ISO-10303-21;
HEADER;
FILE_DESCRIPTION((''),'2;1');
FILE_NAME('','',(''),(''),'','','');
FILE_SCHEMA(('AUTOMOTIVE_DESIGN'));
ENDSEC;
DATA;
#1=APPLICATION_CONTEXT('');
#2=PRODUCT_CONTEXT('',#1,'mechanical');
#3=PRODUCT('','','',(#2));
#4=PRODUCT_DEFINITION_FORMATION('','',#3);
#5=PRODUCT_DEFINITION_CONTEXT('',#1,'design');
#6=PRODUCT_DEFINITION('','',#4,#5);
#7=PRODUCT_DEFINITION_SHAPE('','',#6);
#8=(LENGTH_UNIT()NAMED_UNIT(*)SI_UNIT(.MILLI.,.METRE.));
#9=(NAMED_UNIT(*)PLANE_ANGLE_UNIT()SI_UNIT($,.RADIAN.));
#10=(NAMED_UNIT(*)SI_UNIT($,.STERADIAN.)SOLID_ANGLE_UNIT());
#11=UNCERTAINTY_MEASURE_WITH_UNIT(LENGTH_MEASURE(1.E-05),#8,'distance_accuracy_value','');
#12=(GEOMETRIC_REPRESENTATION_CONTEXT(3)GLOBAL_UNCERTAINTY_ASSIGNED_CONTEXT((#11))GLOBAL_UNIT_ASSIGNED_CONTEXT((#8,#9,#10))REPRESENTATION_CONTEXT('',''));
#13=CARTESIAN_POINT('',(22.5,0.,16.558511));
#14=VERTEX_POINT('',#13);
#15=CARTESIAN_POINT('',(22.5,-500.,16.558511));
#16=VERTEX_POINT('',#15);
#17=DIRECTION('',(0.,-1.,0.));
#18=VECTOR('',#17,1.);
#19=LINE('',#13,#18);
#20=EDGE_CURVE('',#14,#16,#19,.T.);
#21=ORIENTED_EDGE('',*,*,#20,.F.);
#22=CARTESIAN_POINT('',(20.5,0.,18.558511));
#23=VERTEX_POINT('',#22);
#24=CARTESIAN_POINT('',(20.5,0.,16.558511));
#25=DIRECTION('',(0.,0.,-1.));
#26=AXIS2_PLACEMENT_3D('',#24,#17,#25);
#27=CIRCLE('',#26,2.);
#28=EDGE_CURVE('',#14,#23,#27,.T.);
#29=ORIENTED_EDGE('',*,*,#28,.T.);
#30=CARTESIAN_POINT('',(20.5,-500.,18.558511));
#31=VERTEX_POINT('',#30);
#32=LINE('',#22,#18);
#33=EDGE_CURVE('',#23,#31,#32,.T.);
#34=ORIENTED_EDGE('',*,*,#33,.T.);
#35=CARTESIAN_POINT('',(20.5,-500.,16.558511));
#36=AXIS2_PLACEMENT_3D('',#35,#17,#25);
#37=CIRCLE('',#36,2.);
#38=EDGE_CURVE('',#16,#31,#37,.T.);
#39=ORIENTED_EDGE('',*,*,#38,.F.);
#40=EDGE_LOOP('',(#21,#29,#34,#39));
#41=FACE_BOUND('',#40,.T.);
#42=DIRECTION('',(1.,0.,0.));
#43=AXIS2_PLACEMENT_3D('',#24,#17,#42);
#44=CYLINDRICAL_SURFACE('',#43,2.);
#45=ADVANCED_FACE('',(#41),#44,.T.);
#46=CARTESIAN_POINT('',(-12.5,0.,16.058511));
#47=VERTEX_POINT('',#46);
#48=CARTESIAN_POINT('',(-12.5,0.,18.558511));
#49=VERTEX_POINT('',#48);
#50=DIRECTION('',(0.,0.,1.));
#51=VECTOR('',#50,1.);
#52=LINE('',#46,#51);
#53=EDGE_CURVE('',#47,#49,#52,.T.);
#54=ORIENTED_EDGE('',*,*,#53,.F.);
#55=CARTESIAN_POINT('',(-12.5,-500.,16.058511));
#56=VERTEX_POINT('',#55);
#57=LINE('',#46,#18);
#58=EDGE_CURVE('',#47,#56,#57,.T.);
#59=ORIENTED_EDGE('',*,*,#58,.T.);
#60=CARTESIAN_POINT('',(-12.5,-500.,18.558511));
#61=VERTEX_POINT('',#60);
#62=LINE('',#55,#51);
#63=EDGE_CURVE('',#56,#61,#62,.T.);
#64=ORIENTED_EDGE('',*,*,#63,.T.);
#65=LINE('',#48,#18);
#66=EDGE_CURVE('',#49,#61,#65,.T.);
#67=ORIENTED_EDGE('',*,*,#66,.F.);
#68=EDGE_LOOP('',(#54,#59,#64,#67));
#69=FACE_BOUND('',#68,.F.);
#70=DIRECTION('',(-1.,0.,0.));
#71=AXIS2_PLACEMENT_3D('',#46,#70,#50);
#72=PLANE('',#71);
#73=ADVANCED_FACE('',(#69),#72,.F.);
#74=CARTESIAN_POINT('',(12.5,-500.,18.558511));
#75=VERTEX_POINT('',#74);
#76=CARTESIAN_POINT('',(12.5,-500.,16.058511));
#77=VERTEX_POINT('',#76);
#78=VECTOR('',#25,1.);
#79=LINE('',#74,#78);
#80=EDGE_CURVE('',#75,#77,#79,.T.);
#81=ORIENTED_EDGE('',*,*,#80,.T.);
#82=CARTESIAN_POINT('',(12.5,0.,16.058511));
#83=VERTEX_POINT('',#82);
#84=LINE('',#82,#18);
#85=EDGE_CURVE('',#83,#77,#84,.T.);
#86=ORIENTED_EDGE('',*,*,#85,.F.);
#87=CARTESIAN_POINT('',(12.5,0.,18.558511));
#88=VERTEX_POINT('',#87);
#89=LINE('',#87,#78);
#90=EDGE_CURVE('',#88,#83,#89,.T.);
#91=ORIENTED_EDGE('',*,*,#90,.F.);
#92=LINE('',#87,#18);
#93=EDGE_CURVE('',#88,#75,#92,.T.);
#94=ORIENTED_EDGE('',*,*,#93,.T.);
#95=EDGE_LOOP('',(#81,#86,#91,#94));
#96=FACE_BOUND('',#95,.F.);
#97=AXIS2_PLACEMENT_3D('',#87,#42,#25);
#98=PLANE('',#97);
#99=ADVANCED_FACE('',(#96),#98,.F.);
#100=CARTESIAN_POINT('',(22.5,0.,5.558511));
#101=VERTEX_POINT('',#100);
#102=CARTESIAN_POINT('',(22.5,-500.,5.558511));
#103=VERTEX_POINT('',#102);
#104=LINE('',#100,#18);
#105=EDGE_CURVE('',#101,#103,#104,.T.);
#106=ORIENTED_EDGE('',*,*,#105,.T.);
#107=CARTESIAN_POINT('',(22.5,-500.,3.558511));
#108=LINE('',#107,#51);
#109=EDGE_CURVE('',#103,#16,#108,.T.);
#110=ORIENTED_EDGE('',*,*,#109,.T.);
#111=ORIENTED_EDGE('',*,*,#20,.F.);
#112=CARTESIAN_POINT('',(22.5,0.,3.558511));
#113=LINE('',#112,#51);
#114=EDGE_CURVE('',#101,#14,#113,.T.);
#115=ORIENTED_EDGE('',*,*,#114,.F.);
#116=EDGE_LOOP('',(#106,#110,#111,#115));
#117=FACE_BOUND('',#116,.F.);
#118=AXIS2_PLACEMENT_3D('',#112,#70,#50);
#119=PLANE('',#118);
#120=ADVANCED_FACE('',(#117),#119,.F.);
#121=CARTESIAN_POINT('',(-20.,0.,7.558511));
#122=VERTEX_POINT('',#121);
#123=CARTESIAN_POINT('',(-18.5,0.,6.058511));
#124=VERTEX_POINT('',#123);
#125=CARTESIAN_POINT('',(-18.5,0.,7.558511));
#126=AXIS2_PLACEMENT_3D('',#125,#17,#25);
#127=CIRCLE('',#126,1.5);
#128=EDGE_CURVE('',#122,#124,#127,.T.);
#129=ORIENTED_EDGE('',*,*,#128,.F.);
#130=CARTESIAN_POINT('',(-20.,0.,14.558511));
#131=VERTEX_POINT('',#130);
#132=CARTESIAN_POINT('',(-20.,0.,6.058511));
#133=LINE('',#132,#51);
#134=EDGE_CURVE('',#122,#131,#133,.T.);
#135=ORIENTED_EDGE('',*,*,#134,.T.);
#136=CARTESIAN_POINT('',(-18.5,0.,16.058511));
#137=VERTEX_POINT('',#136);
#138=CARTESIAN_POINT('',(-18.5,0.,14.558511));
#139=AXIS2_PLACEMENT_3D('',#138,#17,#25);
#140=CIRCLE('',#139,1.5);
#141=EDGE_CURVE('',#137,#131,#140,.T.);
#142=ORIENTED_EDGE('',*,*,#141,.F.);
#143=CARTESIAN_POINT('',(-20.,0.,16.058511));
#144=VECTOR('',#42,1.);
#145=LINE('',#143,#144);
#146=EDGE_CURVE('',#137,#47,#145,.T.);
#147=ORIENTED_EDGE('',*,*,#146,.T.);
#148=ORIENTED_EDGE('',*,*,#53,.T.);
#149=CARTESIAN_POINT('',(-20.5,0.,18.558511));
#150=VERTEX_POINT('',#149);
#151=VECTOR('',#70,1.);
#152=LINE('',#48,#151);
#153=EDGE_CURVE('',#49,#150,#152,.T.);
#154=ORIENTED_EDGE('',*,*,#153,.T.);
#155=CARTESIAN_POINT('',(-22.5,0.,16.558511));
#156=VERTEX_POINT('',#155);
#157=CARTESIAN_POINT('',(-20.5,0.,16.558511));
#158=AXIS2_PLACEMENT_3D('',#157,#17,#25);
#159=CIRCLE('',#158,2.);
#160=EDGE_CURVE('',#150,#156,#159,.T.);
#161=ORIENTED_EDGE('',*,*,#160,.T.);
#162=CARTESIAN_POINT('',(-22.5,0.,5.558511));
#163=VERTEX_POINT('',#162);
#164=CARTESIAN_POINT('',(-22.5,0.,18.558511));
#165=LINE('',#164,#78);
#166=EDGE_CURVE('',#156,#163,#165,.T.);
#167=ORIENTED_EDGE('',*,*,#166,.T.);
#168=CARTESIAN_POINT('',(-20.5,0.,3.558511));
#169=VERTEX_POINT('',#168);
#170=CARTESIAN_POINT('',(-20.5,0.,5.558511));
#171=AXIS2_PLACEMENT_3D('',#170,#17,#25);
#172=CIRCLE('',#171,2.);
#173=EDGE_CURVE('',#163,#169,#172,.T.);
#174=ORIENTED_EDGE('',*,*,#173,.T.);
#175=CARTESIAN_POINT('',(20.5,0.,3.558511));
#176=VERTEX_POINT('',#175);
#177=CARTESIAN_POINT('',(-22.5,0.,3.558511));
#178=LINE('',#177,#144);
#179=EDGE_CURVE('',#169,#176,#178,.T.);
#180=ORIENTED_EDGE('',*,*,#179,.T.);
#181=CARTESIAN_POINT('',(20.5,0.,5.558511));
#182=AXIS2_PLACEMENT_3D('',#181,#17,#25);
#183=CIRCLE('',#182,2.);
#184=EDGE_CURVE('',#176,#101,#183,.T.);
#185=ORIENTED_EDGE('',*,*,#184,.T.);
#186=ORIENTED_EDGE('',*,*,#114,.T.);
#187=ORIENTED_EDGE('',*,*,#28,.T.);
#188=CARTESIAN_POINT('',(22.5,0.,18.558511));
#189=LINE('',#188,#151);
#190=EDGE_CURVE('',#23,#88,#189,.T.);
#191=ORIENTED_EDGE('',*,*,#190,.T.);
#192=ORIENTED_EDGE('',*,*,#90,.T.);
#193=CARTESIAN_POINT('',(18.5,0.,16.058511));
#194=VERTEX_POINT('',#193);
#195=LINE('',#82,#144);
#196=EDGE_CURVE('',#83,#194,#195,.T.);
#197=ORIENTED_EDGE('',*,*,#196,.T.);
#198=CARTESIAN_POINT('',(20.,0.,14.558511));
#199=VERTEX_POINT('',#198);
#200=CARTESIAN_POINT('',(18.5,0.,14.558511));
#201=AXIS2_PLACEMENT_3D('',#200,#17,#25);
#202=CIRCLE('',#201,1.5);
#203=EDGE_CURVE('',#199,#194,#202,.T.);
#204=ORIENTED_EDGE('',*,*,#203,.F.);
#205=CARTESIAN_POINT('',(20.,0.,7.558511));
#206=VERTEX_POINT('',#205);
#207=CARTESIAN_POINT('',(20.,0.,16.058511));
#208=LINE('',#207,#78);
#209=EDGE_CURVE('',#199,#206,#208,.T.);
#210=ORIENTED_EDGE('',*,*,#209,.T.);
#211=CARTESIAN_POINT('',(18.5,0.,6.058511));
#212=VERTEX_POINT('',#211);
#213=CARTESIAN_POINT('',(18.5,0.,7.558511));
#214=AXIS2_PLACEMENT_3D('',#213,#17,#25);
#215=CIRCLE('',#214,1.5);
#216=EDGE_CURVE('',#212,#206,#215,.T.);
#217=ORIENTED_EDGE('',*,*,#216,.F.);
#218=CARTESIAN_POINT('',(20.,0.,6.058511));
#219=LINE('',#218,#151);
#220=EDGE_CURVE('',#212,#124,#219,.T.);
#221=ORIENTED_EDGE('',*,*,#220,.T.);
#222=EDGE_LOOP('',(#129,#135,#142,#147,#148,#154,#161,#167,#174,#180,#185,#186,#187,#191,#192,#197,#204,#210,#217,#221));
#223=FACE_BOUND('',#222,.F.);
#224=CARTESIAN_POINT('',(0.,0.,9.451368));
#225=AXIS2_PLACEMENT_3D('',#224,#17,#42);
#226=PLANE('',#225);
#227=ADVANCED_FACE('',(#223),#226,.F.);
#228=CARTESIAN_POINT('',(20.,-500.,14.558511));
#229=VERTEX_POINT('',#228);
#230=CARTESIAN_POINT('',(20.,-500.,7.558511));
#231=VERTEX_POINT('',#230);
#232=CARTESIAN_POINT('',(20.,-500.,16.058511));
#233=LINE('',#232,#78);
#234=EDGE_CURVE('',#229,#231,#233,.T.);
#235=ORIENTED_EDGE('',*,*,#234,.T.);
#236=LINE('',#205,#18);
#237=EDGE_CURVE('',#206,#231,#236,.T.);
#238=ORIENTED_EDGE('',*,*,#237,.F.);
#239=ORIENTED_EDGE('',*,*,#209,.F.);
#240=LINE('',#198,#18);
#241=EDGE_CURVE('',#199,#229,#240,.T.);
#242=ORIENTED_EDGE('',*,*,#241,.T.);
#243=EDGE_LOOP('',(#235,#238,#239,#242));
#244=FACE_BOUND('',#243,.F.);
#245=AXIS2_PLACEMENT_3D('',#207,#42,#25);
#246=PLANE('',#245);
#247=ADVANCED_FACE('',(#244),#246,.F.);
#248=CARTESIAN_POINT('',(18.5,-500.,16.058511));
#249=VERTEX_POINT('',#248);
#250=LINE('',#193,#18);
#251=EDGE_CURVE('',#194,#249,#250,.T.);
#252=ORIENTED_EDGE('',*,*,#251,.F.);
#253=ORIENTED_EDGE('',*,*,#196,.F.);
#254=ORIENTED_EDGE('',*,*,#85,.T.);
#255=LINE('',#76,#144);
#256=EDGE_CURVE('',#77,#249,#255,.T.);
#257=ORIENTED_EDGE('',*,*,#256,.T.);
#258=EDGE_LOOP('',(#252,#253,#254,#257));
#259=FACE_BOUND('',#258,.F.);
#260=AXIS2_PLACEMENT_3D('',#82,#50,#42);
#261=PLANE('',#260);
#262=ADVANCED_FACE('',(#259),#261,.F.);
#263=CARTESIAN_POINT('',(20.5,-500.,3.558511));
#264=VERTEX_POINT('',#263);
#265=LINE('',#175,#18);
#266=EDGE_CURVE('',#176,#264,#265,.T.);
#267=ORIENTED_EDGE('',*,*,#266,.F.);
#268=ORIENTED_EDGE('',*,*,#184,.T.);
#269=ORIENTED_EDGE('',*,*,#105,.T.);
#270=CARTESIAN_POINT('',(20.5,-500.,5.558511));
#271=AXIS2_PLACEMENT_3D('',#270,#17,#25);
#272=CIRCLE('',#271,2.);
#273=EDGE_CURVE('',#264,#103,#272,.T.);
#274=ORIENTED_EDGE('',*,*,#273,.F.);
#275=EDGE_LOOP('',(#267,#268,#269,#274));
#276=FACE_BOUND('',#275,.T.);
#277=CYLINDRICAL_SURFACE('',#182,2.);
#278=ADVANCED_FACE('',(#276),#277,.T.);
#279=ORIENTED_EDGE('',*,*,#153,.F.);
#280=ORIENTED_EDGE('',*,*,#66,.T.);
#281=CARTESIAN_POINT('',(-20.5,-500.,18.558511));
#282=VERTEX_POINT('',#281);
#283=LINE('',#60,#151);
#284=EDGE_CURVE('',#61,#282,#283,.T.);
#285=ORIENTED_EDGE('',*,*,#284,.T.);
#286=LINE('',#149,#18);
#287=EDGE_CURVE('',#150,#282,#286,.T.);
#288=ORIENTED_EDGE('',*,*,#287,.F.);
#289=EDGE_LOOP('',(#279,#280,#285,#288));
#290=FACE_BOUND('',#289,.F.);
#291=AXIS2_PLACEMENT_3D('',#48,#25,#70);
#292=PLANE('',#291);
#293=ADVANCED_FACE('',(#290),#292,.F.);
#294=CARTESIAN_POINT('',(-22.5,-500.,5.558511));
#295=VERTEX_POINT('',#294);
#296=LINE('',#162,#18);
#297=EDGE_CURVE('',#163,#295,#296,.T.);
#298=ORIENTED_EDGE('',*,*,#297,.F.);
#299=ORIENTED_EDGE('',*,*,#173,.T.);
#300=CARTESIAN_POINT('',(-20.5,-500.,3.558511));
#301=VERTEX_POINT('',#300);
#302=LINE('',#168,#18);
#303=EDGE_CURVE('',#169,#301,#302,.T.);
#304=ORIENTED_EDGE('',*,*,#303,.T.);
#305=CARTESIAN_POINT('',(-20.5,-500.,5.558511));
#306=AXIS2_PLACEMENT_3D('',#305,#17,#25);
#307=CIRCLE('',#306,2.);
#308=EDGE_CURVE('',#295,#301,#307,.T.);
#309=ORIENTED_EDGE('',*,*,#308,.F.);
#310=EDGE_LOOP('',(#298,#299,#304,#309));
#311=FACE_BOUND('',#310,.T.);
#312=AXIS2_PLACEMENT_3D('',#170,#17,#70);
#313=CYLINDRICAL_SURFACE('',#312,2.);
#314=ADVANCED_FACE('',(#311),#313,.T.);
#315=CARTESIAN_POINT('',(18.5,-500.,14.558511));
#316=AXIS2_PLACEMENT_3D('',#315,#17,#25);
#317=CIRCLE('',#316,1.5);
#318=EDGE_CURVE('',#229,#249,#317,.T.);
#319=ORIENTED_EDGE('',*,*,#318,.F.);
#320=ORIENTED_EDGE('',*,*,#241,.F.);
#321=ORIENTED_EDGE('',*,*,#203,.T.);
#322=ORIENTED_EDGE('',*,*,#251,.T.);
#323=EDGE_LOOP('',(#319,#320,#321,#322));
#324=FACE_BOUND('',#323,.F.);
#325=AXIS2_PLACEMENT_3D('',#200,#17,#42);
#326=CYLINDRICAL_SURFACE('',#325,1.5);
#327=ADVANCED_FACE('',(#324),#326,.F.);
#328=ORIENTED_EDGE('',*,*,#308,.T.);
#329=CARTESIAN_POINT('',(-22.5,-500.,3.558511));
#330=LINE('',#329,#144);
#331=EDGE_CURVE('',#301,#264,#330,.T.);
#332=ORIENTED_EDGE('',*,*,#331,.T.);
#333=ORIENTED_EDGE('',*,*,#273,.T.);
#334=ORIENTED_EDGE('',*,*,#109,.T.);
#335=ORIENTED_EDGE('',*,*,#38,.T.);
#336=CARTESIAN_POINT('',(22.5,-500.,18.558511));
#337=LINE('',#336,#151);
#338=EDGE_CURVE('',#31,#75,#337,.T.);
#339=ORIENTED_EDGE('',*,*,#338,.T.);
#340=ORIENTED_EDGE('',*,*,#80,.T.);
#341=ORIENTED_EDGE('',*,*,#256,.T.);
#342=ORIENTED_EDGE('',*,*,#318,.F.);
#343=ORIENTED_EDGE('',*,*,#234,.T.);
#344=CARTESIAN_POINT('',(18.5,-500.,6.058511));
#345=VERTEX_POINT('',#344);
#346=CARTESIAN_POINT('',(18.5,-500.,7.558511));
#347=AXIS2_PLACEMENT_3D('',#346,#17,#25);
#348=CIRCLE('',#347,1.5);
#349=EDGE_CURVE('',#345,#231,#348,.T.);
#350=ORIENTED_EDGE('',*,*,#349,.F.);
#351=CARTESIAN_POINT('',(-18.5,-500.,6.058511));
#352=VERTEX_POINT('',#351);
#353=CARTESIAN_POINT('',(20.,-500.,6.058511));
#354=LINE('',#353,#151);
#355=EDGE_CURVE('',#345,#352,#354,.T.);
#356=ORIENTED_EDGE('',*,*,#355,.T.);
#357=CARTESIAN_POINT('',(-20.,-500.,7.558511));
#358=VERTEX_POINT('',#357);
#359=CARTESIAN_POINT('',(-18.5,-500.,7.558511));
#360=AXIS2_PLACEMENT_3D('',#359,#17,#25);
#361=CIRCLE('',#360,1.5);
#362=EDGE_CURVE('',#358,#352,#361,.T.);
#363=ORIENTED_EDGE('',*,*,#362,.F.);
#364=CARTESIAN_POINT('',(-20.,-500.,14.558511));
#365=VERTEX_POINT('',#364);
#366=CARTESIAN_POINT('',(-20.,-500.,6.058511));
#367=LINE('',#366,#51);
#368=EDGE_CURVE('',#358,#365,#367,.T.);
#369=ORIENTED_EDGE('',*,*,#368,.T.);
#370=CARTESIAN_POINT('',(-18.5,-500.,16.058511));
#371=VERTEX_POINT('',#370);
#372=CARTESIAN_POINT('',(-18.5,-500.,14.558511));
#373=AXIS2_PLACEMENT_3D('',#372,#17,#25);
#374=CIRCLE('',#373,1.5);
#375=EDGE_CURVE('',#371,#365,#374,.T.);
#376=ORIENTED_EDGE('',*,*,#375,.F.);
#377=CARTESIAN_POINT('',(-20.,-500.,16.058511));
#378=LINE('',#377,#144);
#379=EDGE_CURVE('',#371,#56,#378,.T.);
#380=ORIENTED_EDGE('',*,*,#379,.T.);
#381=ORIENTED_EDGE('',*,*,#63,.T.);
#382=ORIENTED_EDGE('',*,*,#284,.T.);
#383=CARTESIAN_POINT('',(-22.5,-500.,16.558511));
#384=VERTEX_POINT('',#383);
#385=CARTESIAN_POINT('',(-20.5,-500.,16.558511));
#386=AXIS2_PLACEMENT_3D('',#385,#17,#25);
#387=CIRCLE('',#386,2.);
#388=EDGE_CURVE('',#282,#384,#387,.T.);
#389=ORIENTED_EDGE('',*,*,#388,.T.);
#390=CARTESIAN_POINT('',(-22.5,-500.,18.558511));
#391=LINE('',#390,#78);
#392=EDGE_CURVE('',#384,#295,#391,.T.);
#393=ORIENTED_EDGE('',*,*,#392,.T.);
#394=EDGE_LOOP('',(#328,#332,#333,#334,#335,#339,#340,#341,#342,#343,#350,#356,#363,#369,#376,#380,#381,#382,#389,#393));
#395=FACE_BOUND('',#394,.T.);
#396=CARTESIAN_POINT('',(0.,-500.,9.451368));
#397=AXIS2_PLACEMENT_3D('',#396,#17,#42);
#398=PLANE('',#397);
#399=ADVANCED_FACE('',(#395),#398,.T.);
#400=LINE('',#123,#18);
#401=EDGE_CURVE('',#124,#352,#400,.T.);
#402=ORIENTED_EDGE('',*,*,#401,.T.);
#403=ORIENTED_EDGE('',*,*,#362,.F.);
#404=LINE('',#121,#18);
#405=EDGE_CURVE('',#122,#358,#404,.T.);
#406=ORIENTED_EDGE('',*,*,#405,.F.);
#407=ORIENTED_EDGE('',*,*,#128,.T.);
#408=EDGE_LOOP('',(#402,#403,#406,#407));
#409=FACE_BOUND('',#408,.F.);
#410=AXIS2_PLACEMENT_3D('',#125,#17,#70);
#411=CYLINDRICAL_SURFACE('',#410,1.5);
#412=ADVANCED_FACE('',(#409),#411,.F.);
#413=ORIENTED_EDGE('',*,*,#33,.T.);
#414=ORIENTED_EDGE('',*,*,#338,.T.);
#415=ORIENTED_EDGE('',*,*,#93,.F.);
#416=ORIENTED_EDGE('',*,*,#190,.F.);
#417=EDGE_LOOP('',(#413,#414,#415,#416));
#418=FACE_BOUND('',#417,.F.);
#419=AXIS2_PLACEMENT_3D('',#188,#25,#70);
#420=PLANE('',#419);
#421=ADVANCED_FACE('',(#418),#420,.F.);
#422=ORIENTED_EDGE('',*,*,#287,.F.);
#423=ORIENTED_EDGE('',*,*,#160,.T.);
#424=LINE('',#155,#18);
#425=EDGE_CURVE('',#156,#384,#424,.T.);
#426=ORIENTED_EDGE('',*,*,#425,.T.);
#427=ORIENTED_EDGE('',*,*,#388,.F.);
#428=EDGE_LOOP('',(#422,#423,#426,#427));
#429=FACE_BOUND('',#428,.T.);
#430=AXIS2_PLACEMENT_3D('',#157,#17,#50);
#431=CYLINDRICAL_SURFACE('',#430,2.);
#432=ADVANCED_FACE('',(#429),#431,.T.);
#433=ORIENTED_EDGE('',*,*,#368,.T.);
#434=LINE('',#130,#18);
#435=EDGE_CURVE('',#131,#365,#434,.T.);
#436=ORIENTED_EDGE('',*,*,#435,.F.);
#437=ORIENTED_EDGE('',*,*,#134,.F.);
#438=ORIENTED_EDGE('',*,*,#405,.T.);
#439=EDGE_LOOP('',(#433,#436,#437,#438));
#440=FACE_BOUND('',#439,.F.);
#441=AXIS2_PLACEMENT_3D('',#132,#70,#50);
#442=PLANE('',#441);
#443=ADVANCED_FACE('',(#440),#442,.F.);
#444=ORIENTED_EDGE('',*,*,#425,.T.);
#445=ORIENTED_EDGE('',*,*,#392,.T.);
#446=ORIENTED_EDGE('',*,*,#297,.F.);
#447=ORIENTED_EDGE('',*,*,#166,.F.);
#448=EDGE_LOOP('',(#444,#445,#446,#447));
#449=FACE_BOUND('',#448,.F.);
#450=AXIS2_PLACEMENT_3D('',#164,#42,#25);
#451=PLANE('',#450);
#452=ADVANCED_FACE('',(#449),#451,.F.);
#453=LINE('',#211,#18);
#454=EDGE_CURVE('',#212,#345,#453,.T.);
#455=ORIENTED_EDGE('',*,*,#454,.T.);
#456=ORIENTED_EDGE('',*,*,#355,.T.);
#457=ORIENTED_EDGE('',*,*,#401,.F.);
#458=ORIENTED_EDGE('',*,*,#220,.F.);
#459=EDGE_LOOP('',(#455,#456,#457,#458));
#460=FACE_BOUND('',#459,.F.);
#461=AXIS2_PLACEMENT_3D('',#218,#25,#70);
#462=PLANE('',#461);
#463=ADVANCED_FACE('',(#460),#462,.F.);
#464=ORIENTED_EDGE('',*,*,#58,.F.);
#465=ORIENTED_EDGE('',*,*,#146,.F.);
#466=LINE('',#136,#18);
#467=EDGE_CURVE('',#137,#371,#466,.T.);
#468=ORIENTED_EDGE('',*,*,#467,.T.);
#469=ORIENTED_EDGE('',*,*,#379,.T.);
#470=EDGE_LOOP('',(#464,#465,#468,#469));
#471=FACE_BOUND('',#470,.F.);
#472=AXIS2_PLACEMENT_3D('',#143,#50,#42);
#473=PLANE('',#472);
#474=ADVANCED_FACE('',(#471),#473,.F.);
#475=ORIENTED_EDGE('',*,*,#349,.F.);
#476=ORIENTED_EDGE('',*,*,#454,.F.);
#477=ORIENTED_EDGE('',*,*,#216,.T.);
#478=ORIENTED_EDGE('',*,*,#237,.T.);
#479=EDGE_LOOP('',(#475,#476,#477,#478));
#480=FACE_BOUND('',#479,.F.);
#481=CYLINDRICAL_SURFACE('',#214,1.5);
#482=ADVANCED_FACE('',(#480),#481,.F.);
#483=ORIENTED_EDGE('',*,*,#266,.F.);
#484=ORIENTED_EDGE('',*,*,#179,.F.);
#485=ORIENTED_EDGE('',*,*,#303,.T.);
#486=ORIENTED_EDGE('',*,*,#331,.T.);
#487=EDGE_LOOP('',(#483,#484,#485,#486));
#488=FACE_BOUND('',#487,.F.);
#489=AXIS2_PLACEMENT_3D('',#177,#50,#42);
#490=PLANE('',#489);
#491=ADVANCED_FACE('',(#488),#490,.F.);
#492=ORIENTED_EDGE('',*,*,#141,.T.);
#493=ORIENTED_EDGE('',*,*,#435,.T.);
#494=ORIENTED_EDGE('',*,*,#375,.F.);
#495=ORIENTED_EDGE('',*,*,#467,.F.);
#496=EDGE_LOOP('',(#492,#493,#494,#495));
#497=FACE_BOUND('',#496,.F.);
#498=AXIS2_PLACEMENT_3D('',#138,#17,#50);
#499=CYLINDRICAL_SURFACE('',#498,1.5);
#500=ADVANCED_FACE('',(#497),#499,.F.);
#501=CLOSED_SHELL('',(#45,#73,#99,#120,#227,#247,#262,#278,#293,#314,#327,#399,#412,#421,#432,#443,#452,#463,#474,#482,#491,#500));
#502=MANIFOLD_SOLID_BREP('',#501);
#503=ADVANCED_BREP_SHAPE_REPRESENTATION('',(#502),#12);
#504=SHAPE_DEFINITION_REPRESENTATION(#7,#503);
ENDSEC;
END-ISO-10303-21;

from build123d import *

# Parameters (mm, degrees)
F1_DEPTH = 500
F2_R     = 2
F3_R     = 1.5
F4_R     = 1.5


with BuildPart() as f1:
    # F0 (on Front) → F1 (new body)
    with BuildSketch(Plane.XZ):
        Polygon((-12.5, 18.558511), (-22.5, 18.558511), (-22.5, 3.558511), (22.5, 3.558511), (22.5, 18.558511), (12.5, 18.558511), (12.5, 16.058511), (20, 16.058511), (20, 6.058511), (-20, 6.058511), (-20, 16.058511), (-12.5, 16.058511), align=None)
    extrude(amount=F1_DEPTH)

    # F2
    f2_edges = [f1.edges().sort_by_distance(p)[0] for p in [
        (22.5, -250, 18.558511),
        (-22.5, -250, 18.558511),
        (-22.5, -250, 3.558511),
        (22.5, -250, 3.558511),
    ]]
    fillet(f2_edges, radius=F2_R)

    # F3
    f3_edges = [f1.edges().sort_by_distance(p)[0] for p in [
        (20, -250, 16.058511),
        (-20, -250, 16.058511),
    ]]
    fillet(f3_edges, radius=F3_R)

    # F4
    f4_edges = [f1.edges().sort_by_distance(p)[0] for p in [
        (-20, -250, 6.058511),
        (20, -250, 6.058511),
    ]]
    fillet(f4_edges, radius=F4_R)


solid = f1.part
